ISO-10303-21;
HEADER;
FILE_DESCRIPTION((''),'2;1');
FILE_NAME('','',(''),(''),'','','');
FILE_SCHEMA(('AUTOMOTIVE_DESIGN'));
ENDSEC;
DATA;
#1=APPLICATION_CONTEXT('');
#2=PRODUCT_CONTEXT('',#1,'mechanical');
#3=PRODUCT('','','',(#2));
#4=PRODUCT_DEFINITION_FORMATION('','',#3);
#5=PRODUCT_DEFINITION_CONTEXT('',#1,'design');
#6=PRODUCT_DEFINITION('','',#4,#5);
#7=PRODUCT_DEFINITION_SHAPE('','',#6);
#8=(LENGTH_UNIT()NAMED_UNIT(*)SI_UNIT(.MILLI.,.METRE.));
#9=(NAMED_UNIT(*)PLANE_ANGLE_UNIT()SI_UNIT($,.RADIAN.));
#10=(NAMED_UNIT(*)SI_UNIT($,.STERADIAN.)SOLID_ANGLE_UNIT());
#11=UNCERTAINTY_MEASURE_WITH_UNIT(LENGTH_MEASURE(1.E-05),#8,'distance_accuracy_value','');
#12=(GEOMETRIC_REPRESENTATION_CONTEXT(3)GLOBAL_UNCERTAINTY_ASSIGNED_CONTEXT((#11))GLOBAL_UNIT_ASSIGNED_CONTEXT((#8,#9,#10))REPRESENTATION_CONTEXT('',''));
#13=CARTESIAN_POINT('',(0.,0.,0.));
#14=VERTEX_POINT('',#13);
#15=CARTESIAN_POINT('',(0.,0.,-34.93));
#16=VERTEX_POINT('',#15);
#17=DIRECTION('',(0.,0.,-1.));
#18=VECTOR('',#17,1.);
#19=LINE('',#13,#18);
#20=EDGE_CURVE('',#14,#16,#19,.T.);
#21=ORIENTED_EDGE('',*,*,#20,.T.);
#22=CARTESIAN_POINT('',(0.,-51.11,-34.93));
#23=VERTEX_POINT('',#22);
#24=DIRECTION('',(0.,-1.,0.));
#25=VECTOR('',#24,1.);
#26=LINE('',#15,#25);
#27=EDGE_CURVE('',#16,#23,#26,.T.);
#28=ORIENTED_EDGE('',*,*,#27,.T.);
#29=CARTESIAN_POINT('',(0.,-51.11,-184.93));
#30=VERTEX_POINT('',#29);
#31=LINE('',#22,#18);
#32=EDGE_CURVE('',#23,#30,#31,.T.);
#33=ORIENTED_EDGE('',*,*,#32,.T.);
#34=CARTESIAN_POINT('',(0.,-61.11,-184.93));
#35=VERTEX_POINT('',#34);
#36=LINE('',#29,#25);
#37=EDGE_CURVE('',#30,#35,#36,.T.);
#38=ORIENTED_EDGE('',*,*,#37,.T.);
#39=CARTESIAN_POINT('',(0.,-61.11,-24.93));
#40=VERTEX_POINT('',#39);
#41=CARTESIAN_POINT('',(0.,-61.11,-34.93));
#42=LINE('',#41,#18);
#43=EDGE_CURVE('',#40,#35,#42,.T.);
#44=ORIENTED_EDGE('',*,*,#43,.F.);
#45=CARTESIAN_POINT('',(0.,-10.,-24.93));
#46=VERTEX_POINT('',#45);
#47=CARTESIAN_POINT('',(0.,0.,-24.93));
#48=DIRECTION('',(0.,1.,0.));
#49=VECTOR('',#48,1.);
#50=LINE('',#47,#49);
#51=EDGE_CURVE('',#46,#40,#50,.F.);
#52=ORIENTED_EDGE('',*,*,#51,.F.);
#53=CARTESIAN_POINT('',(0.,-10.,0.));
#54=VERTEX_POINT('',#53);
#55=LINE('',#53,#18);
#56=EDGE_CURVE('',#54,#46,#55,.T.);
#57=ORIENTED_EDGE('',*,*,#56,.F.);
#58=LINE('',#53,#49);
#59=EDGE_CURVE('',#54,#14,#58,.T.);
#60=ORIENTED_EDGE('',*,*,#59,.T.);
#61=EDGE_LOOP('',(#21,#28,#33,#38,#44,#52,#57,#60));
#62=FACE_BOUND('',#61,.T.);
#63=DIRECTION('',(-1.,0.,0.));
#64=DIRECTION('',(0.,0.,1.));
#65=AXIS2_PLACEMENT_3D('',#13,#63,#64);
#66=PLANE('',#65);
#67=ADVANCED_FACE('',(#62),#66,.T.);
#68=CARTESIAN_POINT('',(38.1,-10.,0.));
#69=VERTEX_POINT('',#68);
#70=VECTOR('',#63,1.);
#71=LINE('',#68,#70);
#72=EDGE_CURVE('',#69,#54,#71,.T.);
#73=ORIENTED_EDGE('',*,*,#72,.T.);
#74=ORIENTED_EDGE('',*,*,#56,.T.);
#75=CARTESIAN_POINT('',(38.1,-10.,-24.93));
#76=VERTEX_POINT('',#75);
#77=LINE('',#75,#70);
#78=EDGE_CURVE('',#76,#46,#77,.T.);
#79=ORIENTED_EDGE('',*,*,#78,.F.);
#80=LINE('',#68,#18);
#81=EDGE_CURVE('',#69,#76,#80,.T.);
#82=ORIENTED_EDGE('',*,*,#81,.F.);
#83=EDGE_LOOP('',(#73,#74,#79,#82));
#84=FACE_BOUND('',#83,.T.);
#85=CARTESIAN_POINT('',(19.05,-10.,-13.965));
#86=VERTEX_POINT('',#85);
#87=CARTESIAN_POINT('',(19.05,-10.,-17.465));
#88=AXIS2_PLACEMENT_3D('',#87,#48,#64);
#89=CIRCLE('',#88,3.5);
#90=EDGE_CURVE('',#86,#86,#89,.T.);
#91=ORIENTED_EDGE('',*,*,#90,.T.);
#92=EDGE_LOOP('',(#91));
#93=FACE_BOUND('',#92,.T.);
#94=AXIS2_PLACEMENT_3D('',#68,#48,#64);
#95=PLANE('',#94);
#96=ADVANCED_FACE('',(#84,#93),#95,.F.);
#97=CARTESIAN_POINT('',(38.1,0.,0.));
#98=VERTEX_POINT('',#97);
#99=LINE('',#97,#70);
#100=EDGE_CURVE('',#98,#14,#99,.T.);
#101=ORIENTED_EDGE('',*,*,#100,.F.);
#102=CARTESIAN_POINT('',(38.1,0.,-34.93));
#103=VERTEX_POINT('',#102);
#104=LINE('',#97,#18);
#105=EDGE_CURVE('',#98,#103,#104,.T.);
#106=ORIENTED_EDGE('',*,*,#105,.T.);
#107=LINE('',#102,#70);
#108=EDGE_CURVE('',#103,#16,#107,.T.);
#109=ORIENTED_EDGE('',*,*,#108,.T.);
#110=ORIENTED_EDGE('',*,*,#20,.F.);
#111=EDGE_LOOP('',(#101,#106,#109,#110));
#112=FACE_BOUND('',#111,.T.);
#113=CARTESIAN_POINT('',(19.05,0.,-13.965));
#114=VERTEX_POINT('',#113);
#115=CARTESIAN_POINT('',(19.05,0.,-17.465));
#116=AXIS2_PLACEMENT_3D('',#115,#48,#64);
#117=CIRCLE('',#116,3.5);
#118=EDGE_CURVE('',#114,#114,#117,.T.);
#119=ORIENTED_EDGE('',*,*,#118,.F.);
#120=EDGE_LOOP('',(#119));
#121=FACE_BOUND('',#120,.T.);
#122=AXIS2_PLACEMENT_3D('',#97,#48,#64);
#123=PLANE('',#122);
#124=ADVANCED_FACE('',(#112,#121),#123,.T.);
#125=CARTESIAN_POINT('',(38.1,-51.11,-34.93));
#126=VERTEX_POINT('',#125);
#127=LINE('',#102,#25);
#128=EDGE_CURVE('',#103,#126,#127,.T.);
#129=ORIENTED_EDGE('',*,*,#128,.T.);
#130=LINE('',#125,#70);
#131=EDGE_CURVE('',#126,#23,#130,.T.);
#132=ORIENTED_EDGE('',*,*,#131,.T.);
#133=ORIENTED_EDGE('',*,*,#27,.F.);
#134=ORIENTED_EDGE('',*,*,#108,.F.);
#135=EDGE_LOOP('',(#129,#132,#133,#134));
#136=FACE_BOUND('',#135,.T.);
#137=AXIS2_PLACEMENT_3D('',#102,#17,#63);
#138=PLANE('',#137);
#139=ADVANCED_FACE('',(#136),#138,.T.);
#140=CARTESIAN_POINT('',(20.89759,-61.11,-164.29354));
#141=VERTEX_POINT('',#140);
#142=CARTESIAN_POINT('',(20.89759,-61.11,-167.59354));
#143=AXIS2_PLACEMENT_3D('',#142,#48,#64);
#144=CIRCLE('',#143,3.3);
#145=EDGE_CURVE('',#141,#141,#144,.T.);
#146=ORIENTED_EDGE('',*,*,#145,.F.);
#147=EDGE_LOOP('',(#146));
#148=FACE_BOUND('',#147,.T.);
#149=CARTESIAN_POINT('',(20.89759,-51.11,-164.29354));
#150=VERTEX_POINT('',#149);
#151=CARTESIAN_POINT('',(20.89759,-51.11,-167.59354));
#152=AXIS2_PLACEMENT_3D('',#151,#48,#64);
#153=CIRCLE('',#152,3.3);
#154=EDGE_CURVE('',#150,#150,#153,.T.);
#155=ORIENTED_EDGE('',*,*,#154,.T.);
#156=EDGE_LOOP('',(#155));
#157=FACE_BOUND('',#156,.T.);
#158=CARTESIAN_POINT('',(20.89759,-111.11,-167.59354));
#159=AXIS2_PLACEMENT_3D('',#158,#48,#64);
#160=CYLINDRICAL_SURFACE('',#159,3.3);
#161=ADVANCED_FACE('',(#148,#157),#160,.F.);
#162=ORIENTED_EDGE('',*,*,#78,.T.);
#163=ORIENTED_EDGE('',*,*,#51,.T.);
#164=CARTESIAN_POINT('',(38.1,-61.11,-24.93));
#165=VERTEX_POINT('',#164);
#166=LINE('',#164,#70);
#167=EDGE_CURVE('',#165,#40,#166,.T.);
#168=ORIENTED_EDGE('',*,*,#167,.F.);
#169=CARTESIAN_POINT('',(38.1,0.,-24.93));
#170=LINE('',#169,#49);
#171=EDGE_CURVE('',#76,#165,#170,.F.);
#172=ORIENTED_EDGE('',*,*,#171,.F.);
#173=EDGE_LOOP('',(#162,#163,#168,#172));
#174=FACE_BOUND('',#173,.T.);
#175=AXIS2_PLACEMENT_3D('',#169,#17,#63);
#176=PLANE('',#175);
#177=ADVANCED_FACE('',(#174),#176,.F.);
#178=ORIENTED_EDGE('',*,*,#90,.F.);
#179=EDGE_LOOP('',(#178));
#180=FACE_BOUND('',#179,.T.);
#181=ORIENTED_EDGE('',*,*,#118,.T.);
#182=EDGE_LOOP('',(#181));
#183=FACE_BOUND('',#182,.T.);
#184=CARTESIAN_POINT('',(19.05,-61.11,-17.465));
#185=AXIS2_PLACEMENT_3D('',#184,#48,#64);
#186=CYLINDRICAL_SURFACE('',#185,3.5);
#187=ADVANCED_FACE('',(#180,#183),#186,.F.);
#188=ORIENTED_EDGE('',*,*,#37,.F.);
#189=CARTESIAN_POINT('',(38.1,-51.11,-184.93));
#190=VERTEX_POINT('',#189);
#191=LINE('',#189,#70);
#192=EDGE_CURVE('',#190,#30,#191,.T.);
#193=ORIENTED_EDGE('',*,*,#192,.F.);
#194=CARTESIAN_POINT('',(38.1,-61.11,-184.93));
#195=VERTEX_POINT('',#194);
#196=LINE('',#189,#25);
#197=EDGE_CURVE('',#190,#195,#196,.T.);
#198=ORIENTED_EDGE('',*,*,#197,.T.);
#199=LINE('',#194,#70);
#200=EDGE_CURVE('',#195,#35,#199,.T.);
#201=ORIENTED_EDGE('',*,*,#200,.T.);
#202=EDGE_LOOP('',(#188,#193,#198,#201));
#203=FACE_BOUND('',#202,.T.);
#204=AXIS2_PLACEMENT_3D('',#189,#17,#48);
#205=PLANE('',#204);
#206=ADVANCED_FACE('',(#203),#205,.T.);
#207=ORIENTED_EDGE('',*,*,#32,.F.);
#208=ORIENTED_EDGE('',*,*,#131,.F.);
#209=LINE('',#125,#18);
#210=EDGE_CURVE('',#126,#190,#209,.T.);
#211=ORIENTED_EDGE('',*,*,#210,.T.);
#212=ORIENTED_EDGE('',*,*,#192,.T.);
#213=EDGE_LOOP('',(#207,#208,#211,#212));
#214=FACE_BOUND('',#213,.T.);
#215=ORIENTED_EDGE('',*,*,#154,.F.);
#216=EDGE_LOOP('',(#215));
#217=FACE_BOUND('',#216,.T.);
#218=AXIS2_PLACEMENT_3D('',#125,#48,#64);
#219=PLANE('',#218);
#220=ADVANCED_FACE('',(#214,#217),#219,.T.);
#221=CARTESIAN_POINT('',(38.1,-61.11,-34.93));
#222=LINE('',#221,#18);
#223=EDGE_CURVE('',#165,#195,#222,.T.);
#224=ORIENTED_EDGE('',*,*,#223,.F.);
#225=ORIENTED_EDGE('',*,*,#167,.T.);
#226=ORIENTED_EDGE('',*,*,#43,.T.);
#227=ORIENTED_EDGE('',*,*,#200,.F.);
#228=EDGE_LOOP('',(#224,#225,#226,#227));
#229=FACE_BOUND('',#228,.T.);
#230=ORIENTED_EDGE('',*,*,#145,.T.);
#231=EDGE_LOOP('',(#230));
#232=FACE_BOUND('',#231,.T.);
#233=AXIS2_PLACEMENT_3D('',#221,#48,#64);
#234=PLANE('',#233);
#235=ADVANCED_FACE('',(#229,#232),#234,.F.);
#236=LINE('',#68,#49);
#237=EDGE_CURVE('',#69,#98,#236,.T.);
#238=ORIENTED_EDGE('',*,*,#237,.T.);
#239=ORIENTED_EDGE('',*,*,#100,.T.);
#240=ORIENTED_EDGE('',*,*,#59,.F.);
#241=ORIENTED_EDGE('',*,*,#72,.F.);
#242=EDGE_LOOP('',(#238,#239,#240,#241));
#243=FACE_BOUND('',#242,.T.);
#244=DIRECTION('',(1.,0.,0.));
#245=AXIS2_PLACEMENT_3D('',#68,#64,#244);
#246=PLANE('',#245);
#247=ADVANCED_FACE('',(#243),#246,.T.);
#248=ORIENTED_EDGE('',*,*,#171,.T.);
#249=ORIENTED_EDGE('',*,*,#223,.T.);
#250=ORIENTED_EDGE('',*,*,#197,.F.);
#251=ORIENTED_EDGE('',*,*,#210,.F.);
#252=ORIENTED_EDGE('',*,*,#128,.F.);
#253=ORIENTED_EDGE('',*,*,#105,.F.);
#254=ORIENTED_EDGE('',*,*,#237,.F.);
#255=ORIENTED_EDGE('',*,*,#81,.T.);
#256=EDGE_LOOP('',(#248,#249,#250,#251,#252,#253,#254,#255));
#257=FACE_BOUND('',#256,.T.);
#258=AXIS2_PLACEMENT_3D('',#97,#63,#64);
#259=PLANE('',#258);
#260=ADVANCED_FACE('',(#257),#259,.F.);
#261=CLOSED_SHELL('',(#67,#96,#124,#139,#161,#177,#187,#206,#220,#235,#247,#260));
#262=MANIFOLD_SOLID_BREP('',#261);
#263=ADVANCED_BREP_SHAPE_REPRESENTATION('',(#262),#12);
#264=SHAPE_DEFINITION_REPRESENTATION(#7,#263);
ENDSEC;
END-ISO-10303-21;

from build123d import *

# Parameters (mm, degrees)
EXTRUDE_THIN1_DEPTH = 38.1
SKETCH2_R           = 3.5
CUT_EXTRUDE1_DEPTH  = 199.45691472
SKETCH4_R           = 3.3
CUT_EXTRUDE3_DEPTH  = 60


with BuildPart() as part:
    # Sketch1 → Extrude-Thin1 (new body)
    with BuildSketch(Plane(origin=(0, 0, 0), x_dir=(0, 0, -1), z_dir=(1, 0, 0))):
        Polygon((0, 0), (34.93, 0), (34.93, -51.11), (184.93, -51.11), (184.93, -61.11), (24.93, -61.11), (24.93, -10), (0, -10), align=None)
    extrude(amount=EXTRUDE_THIN1_DEPTH)

    # Sketch2 → Cut-Extrude1 (cut, through all)
    with BuildSketch(Plane(origin=(0, 0, 0), x_dir=(1, 0, 0), z_dir=(0, 1, 0))):
        with Locations(Location((19.05, 17.465, 0), (0, 0, 270))):
            Circle(SKETCH2_R)
    extrude(amount=-CUT_EXTRUDE1_DEPTH, mode=Mode.SUBTRACT)

    # Sketch4 → Cut-Extrude3 (cut)
    with BuildSketch(Plane(origin=(0, -51.11, 0), x_dir=(1, 0, 0), z_dir=(0, 1, 0))):
        with Locations(Location((20.897590421, 167.59354, 0), (0, 0, 270))):
            Circle(SKETCH4_R)
    extrude(amount=-CUT_EXTRUDE3_DEPTH, mode=Mode.SUBTRACT)


solid = part.part
